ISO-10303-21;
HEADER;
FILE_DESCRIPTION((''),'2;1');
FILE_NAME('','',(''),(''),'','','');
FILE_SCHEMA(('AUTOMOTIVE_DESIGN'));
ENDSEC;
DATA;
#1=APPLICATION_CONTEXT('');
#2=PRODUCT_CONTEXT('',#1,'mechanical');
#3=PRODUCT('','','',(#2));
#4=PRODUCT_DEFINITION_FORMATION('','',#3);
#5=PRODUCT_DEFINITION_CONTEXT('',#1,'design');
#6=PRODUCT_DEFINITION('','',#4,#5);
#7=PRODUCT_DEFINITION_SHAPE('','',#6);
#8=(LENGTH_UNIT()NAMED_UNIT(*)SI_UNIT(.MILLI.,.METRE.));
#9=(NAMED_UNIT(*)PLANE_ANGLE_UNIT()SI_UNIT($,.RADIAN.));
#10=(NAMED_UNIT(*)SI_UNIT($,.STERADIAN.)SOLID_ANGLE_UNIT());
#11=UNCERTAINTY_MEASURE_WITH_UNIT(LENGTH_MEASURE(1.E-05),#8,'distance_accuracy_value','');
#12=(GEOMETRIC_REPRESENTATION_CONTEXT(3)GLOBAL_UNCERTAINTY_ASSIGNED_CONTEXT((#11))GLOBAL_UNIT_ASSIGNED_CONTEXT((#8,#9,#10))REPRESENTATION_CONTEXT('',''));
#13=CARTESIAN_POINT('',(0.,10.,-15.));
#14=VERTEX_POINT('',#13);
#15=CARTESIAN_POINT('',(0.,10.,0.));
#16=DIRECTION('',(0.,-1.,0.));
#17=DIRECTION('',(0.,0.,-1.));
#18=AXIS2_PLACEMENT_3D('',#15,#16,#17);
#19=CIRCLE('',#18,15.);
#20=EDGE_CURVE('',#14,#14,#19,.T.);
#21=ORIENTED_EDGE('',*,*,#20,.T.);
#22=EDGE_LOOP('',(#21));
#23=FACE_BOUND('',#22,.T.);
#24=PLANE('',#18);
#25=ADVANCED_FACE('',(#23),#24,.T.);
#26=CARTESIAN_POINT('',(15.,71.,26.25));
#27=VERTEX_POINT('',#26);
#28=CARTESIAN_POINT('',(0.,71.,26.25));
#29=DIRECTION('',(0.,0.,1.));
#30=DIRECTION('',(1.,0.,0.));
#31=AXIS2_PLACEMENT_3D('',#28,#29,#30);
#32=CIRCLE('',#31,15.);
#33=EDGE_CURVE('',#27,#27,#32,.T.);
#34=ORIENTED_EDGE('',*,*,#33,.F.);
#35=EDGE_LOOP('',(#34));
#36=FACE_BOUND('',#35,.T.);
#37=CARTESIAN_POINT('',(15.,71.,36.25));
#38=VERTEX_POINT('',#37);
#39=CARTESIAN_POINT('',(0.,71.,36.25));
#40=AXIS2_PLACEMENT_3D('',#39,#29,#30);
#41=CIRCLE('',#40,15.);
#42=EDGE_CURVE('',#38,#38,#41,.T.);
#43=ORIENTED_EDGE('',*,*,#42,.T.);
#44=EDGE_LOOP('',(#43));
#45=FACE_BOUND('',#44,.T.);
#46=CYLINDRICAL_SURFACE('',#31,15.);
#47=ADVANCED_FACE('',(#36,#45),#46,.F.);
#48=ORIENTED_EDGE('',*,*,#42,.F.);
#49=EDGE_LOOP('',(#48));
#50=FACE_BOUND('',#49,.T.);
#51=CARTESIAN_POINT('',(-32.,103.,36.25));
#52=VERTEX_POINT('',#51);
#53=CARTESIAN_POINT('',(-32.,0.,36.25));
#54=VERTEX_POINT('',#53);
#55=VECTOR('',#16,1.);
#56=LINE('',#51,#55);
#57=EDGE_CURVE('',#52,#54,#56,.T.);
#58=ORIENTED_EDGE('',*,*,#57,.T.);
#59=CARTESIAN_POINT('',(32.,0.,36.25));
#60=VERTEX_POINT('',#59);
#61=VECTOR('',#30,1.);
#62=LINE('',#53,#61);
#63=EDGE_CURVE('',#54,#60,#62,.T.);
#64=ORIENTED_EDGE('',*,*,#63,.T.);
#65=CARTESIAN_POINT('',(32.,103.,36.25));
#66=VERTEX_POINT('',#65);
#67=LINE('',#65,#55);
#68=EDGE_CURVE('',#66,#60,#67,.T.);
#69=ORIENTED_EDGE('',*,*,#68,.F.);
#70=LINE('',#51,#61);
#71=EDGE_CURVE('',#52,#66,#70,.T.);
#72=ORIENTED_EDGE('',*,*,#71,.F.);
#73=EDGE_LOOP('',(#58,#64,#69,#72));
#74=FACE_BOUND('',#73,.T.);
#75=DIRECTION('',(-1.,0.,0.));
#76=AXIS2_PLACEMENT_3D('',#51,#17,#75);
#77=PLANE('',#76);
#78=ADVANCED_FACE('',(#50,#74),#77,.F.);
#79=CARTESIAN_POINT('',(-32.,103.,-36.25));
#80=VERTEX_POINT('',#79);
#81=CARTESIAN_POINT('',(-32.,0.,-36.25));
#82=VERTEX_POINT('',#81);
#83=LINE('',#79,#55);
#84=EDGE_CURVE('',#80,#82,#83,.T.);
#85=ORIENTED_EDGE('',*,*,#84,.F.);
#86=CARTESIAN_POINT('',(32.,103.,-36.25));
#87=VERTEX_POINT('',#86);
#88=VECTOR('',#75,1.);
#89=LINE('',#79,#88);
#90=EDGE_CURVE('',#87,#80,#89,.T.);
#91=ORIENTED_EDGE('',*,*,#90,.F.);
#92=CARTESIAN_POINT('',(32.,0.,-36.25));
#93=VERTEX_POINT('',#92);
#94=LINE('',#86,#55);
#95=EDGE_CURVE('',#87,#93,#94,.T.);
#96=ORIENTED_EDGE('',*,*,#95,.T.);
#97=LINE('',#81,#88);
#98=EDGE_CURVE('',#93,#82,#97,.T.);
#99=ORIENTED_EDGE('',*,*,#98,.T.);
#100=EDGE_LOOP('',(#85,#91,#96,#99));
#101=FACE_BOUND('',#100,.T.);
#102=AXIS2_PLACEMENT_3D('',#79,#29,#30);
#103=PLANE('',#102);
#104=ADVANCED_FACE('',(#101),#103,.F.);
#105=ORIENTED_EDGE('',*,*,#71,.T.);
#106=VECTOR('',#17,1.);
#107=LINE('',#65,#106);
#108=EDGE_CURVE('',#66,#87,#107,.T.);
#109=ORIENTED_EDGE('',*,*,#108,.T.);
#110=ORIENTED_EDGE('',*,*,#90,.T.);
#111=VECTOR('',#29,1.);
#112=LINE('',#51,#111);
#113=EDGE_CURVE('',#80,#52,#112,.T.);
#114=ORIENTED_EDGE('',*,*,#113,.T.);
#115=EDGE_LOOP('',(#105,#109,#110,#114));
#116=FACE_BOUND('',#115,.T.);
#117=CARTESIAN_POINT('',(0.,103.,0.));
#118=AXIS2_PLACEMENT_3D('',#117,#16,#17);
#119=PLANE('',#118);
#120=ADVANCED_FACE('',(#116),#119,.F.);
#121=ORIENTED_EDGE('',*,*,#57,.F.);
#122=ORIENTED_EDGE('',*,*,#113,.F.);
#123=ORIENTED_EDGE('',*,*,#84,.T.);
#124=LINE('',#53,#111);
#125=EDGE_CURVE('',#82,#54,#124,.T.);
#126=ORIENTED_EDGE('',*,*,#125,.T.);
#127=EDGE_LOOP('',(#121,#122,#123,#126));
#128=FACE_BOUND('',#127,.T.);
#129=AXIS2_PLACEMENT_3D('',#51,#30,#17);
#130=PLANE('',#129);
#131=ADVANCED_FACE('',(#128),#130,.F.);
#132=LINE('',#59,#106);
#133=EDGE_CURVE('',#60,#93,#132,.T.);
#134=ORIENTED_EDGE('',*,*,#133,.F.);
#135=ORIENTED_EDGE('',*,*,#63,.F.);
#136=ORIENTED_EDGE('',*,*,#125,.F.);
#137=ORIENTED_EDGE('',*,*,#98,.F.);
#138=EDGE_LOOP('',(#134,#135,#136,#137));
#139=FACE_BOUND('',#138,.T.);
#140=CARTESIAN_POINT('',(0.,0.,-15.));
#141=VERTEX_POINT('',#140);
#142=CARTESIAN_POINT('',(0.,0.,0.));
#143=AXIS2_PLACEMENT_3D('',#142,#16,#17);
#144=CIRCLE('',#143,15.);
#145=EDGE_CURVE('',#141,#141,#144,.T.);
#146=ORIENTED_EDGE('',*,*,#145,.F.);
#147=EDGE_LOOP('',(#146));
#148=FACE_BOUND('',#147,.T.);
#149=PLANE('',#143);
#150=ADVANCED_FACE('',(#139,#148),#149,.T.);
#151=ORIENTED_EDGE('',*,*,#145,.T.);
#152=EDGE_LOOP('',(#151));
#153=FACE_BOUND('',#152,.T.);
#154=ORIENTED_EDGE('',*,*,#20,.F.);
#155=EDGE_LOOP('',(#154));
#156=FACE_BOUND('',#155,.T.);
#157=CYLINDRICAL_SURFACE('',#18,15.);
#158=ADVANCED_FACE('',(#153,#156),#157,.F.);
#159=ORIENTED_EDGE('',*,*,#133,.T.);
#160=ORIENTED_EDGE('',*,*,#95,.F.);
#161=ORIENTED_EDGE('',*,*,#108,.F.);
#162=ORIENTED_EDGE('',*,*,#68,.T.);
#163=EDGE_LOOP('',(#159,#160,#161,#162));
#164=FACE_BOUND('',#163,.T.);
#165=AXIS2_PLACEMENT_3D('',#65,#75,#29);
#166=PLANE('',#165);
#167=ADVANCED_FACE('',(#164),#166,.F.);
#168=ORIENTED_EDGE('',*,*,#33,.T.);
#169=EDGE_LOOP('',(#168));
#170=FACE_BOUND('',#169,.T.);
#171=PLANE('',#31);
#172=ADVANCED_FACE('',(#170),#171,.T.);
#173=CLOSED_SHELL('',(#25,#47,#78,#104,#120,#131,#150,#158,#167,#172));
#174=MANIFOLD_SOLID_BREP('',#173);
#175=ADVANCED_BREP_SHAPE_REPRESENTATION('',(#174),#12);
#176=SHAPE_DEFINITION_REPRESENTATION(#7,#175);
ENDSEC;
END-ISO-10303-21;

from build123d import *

# Parameters (mm, degrees)
SKETCH1_W           = 64
SKETCH1_H           = 72.5
BOSS_EXTRUDE1_DEPTH = 103
SKETCH2_R           = 15
CUT_EXTRUDE1_DEPTH  = 10
SKETCH3_R           = 15
CUT_EXTRUDE2_DEPTH  = 10


with BuildPart() as part:
    # Sketch1 → Boss-Extrude1 (new body)
    with BuildSketch(Plane(origin=(0, 0, 0), x_dir=(1, 0, 0), z_dir=(0, 1, 0))):
        Rectangle(SKETCH1_W, SKETCH1_H)
    extrude(amount=BOSS_EXTRUDE1_DEPTH)

    # Sketch2 → Cut-Extrude1 (cut)
    with BuildSketch(Plane.XY.offset(36.25)):
        with Locations((0, 71)):
            Circle(SKETCH2_R)
    extrude(amount=-CUT_EXTRUDE1_DEPTH, mode=Mode.SUBTRACT)

    # Sketch3 → Cut-Extrude2 (cut)
    with BuildSketch(Plane.XZ):
        with Locations(Location((0, 0, 0), (0, 0, 270))):
            Circle(SKETCH3_R)
    extrude(amount=-CUT_EXTRUDE2_DEPTH, mode=Mode.SUBTRACT)


solid = part.part
